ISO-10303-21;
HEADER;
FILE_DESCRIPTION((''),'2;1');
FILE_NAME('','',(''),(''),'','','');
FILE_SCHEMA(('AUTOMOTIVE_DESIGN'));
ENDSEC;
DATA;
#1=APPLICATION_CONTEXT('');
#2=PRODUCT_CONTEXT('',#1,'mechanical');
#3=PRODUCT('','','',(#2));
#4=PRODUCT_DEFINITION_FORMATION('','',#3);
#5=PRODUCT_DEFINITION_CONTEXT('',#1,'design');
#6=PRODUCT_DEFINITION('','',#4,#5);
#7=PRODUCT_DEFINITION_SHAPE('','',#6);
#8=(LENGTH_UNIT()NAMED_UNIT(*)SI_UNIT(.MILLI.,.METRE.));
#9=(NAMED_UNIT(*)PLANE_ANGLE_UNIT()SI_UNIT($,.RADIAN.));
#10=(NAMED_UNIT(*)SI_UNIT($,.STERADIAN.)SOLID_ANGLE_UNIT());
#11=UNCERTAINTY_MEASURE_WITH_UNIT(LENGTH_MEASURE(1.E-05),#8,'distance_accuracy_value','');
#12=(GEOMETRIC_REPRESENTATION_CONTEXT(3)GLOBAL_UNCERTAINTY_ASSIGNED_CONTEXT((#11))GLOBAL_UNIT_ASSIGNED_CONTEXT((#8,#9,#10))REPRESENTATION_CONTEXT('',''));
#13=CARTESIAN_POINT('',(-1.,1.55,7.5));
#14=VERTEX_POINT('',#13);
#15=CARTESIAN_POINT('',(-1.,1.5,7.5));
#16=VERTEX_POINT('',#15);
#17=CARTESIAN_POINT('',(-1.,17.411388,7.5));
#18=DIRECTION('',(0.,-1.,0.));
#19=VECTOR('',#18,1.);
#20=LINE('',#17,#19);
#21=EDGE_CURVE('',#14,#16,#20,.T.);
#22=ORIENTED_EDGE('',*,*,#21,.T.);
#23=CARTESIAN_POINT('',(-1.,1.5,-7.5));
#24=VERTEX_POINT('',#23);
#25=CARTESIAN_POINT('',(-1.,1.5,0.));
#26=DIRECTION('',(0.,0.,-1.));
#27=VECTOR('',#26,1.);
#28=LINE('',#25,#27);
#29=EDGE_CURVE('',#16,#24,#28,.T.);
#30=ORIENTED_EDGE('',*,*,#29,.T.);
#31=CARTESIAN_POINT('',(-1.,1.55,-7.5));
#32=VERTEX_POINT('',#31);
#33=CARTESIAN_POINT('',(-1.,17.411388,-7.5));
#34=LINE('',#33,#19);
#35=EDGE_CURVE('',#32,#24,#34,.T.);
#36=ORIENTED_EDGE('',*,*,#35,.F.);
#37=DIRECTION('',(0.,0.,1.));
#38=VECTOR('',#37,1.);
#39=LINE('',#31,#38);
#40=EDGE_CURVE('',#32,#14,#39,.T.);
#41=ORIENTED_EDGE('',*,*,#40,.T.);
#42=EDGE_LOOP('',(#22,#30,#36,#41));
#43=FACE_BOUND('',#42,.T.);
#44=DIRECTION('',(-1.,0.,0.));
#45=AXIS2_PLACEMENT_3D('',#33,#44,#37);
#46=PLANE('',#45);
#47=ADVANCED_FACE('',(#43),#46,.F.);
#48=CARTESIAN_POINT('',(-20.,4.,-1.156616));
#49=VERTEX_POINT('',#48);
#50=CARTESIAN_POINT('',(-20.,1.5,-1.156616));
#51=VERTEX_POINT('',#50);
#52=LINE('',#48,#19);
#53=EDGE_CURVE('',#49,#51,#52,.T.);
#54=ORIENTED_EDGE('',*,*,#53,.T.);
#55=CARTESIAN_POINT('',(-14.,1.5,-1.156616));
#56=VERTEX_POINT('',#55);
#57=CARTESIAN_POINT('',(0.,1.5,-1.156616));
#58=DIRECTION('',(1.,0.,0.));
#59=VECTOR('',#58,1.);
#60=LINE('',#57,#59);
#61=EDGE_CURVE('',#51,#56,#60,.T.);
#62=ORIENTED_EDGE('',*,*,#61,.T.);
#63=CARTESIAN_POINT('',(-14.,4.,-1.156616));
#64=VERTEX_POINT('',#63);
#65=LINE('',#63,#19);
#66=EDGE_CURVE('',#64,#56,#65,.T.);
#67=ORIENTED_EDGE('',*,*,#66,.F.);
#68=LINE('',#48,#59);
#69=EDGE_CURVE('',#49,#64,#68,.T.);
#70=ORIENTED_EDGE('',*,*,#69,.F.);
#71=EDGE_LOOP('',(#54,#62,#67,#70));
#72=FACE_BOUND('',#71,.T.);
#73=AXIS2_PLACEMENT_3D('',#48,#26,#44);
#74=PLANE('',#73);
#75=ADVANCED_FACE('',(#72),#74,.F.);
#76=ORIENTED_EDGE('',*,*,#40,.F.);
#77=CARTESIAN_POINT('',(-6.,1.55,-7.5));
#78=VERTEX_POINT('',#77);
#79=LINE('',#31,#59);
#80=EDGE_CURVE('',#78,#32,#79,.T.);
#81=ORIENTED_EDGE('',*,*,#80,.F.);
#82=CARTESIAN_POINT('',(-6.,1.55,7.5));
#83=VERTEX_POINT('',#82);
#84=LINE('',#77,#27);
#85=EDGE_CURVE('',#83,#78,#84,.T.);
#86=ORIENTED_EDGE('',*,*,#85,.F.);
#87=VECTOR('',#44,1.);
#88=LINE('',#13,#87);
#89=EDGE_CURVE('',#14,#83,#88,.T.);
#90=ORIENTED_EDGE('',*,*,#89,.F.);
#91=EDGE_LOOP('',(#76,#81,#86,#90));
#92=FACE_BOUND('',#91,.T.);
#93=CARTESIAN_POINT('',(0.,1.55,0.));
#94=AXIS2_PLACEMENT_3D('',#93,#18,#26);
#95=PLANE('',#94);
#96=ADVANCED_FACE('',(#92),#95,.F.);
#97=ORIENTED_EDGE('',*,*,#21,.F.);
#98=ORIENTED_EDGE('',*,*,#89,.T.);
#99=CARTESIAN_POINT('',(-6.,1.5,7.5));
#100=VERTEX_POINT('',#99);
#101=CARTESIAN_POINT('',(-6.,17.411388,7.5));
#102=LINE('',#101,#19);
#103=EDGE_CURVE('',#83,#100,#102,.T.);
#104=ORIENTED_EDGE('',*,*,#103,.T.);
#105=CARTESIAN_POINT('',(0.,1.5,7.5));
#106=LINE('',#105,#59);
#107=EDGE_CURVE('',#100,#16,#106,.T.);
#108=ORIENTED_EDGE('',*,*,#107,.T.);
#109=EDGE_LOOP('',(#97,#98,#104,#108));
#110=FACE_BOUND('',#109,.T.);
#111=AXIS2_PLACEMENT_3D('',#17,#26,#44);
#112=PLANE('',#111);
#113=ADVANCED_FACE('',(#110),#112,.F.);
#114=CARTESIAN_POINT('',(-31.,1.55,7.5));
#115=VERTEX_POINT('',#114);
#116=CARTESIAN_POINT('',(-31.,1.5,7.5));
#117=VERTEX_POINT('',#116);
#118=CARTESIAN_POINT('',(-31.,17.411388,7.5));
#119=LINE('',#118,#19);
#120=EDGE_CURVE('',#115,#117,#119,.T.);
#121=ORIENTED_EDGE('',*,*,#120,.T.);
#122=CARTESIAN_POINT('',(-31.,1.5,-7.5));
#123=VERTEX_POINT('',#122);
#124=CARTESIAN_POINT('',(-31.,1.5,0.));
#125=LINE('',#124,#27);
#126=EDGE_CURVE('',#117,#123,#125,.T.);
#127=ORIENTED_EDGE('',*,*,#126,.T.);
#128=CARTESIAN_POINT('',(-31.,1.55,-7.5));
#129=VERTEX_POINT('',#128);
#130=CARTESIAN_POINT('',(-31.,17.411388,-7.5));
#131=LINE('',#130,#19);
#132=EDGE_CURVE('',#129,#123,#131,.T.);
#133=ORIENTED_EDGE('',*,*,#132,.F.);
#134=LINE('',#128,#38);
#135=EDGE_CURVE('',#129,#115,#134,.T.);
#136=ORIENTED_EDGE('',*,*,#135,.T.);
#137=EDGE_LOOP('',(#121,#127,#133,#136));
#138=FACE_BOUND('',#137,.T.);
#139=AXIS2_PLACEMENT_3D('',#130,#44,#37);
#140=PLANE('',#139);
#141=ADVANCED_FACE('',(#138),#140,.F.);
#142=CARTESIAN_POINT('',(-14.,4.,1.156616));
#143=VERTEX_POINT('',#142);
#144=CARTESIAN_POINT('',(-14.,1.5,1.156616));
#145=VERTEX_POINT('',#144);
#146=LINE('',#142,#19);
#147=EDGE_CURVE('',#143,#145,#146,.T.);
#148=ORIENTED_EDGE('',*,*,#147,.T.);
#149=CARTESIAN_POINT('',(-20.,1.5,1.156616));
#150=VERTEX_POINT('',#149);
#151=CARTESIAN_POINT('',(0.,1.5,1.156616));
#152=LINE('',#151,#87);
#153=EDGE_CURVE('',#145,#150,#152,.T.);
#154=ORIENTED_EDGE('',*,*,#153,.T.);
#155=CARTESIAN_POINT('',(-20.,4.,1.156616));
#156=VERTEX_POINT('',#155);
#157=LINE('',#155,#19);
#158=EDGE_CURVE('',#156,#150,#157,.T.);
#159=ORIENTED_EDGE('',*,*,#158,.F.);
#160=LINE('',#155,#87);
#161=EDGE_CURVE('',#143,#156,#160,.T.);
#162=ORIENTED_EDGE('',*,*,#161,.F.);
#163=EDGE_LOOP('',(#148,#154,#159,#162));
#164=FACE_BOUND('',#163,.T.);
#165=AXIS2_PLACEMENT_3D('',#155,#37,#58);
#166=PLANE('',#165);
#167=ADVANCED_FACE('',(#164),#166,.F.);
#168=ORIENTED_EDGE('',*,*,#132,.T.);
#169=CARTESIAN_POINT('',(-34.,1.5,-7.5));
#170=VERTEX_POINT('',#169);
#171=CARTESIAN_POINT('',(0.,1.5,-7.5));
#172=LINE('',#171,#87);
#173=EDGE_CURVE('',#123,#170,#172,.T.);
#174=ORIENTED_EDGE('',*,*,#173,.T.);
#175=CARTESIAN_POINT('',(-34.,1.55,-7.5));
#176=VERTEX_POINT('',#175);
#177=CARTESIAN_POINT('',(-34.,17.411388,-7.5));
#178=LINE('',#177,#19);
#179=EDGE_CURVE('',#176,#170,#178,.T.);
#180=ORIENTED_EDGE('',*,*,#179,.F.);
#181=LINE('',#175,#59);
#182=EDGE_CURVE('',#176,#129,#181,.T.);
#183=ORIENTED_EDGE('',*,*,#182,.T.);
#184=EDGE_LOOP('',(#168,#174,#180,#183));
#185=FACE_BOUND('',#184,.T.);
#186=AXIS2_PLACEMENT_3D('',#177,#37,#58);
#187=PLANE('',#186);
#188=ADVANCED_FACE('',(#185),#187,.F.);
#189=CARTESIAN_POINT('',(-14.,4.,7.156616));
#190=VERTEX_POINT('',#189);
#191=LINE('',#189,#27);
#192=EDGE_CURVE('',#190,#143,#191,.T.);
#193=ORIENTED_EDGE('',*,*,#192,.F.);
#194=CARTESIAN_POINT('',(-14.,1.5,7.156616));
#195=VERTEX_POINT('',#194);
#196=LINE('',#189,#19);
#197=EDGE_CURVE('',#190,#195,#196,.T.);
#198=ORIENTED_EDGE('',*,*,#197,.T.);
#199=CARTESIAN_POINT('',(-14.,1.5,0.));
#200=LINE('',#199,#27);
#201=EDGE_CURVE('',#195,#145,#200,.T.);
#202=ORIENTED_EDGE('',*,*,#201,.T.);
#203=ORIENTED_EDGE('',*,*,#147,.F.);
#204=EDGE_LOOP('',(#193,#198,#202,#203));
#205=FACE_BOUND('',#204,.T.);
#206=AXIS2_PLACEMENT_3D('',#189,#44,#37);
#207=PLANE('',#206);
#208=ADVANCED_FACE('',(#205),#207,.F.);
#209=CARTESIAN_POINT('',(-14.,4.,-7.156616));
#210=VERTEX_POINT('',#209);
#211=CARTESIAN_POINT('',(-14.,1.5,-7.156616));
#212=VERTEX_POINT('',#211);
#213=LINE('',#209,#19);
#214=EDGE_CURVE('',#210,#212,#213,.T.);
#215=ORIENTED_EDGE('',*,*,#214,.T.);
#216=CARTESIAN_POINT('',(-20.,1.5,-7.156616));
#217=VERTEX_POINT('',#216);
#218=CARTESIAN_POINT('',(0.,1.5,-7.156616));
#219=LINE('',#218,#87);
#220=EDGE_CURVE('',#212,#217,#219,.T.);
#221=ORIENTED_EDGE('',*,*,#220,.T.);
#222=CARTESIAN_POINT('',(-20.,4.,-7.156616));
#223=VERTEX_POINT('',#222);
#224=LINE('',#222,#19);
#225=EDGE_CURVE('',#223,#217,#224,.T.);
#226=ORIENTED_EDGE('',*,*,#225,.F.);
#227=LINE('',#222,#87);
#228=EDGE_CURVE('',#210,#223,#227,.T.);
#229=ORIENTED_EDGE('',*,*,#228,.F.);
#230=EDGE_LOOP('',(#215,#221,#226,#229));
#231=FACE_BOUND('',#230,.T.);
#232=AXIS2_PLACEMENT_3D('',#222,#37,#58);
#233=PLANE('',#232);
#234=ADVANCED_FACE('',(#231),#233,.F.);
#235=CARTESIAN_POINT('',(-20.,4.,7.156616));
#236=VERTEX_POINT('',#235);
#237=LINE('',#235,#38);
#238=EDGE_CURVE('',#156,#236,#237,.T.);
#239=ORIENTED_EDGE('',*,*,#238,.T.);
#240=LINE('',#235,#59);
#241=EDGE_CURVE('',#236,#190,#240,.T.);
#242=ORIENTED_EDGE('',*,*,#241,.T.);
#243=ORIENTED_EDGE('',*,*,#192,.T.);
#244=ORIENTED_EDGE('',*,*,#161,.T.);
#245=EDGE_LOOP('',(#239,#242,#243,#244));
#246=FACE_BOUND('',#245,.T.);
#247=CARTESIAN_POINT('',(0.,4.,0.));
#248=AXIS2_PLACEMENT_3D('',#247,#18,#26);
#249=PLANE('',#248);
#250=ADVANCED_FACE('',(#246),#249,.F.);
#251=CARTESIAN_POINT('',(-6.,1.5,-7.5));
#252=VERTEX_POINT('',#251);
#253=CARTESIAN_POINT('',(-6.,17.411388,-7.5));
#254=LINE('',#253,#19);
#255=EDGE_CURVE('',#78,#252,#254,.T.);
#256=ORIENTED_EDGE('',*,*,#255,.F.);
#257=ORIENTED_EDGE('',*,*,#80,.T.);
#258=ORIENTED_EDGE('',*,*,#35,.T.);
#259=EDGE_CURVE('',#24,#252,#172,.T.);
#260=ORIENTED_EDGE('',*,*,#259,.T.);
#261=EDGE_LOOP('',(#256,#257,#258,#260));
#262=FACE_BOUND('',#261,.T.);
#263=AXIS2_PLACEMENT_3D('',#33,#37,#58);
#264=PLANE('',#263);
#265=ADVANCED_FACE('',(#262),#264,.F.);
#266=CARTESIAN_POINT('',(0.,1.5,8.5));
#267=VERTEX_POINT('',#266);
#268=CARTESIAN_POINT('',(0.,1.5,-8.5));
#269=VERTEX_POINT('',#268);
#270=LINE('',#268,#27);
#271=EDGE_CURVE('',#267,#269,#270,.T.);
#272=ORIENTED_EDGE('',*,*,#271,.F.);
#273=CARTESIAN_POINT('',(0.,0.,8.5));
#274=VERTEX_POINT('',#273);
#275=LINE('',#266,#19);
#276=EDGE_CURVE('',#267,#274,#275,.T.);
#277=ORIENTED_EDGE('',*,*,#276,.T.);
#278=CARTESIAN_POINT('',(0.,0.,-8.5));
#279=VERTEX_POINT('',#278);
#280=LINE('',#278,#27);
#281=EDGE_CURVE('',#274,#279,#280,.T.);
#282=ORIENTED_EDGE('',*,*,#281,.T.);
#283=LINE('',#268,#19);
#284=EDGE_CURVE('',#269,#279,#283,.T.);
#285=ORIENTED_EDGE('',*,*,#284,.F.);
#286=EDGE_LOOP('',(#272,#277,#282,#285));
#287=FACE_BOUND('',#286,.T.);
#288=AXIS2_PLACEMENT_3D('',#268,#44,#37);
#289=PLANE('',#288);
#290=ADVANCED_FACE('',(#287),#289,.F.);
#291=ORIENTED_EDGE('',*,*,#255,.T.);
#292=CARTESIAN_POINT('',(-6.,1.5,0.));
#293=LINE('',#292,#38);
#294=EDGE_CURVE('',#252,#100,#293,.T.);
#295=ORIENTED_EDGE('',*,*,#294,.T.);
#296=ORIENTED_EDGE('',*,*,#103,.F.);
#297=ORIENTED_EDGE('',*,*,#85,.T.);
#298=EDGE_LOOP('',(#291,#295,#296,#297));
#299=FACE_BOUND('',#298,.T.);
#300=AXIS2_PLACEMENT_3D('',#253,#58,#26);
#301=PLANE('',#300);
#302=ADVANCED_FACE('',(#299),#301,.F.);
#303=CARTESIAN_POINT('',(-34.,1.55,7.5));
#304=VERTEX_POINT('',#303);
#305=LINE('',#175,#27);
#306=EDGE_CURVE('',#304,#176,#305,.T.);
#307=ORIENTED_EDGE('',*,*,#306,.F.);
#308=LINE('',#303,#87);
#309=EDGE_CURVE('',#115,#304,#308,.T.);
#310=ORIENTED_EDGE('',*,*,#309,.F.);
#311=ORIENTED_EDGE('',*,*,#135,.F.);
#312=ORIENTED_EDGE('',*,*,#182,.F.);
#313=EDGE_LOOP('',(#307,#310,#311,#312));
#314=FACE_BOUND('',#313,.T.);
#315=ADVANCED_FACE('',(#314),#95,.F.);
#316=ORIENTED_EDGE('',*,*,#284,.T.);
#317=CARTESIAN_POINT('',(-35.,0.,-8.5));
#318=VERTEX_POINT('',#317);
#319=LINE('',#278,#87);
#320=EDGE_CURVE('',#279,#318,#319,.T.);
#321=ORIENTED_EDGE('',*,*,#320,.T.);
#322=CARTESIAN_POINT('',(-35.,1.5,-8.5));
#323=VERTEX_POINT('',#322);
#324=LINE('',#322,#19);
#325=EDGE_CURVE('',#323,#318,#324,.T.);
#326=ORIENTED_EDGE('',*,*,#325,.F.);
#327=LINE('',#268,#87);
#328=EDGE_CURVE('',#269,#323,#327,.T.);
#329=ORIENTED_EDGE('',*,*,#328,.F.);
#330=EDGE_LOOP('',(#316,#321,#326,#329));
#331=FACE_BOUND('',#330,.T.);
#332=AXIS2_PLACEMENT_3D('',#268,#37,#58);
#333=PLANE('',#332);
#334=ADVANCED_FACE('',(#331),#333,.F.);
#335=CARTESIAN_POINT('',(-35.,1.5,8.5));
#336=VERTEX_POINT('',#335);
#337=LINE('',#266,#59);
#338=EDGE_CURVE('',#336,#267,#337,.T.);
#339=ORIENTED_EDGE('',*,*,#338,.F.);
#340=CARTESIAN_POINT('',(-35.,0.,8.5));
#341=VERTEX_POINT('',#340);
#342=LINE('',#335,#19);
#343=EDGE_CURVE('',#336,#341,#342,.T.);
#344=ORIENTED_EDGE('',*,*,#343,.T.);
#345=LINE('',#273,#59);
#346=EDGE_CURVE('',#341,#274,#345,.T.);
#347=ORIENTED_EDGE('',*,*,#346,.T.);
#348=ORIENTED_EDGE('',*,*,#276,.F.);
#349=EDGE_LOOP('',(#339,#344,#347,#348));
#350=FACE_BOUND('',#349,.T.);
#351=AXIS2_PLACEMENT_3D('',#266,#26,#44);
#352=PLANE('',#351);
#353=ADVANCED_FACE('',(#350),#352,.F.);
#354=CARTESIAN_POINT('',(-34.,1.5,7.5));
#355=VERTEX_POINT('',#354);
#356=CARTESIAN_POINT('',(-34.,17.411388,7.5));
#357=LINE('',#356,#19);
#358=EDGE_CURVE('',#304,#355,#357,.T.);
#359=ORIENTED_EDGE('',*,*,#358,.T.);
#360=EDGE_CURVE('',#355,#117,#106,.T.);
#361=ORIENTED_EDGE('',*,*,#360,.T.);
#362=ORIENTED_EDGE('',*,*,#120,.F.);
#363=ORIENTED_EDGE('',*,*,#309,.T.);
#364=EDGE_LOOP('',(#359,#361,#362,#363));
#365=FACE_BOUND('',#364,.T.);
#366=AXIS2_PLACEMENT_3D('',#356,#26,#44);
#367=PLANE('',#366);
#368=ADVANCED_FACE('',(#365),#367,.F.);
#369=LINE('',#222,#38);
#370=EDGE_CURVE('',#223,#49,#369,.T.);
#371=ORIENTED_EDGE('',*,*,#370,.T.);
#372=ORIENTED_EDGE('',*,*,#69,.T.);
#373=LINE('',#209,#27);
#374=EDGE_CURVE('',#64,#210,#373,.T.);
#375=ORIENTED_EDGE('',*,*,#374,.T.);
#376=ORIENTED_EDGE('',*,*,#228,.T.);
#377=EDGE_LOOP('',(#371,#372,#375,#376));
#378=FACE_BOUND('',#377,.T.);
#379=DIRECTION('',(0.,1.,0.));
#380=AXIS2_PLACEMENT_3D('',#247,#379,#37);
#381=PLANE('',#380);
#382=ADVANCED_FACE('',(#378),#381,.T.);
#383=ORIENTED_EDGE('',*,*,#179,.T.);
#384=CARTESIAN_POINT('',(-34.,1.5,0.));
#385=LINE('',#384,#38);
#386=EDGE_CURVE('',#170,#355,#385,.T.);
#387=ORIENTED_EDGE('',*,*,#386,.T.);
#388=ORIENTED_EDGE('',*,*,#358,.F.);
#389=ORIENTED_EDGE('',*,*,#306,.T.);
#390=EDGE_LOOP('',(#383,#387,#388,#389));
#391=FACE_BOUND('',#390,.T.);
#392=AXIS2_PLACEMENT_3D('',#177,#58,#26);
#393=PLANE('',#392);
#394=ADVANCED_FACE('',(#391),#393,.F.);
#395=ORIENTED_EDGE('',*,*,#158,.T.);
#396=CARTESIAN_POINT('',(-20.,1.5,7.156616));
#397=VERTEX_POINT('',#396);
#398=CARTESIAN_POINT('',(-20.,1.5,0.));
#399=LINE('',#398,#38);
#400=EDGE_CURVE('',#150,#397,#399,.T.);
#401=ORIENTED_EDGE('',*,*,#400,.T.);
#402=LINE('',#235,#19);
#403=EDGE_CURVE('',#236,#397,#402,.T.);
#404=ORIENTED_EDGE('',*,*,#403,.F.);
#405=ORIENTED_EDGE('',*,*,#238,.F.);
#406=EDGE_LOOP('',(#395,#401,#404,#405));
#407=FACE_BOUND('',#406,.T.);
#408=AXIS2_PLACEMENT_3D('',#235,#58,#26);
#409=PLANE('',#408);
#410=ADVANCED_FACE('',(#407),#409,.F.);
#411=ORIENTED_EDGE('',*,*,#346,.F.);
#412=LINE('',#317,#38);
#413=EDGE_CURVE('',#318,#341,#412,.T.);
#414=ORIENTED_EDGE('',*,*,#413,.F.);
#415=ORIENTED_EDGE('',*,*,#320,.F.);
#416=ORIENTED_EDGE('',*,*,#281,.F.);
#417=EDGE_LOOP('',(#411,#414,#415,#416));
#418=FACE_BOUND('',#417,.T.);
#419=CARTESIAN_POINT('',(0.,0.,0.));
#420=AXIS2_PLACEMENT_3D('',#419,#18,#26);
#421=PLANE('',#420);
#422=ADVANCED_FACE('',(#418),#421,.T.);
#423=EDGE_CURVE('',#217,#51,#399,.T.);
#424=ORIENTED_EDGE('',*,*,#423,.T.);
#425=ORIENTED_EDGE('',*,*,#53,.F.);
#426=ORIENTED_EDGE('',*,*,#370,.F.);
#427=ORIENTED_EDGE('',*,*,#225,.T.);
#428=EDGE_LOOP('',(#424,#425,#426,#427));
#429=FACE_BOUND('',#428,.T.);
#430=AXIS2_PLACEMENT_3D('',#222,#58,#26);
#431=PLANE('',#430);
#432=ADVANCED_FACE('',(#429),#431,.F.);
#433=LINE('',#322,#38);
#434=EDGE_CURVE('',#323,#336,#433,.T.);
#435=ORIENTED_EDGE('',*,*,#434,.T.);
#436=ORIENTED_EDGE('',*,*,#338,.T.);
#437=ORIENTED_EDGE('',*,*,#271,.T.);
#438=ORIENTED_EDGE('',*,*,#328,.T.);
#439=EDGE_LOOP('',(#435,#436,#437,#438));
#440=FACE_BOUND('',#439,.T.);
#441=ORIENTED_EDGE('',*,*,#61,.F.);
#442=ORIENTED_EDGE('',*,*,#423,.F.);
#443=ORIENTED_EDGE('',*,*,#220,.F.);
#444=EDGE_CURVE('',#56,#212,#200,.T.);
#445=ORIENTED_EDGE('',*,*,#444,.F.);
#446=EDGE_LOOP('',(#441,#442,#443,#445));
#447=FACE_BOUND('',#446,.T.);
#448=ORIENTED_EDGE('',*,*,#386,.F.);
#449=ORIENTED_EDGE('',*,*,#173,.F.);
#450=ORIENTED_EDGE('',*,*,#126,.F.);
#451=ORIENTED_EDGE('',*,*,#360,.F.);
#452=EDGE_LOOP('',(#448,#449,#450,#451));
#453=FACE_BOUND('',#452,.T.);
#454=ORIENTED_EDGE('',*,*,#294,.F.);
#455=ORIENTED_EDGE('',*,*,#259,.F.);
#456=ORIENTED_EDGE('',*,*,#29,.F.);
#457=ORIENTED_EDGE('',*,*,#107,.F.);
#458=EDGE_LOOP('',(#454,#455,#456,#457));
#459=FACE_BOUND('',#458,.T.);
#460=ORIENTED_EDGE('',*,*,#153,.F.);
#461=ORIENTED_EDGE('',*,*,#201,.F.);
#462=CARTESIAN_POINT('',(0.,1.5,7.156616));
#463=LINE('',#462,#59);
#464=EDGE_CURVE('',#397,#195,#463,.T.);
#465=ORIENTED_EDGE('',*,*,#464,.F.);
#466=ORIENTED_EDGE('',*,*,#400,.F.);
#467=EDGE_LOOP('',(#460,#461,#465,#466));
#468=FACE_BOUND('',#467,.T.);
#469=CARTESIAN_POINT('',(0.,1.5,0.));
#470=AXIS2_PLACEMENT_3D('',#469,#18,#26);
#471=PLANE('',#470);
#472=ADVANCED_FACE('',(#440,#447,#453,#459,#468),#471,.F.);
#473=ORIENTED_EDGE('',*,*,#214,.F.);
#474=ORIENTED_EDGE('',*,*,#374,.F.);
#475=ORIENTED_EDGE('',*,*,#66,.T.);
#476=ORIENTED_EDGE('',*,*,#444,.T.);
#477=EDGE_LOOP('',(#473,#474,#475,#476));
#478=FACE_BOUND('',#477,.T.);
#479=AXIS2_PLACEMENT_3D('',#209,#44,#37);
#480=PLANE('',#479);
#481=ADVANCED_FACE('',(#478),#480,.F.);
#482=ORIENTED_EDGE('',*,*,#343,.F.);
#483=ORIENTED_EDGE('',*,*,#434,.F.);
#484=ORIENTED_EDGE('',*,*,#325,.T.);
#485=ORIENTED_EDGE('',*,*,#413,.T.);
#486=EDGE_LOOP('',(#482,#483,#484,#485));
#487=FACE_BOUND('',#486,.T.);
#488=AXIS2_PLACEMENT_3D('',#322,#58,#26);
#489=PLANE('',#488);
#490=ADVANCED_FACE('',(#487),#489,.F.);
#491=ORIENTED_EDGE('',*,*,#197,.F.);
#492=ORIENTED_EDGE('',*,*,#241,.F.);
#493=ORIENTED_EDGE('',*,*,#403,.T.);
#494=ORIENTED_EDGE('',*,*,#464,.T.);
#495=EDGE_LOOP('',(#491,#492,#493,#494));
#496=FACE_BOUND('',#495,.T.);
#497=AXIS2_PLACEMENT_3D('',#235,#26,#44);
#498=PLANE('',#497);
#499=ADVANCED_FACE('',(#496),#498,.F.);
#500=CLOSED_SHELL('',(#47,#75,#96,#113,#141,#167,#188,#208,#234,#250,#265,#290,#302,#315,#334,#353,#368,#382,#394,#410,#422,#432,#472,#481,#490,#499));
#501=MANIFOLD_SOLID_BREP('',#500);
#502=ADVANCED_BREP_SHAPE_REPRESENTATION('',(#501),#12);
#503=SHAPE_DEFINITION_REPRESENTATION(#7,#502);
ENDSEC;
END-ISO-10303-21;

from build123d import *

# Parameters (mm, degrees)
SKETCH_1_W      = 35
SKETCH_1_H      = 17
EXTRUDE_1_DEPTH = 1.5
SKETCH_4_W      = 6
SKETCH_4_H      = 6
EXTRUDE_3_DEPTH = 4
SKETCH_6_W      = 5
SKETCH_6_H      = 15
SKETCH_6_W_2    = 3
EXTRUDE_4_DEPTH = 1.55


with BuildPart() as part:
    # Эскиз1 → Бобышка-Вытянуть1 (new body)
    with BuildSketch(Plane(origin=(0, 0, 0), x_dir=(1, 0, 0), z_dir=(0, 1, 0))):
        with Locations((-17.5, 0)):
            Rectangle(SKETCH_1_W, SKETCH_1_H)
    extrude(amount=EXTRUDE_1_DEPTH)

    # Эскиз4 → Бобышка-Вытянуть3 (add)
    with BuildSketch(Plane(origin=(0, 0, 0), x_dir=(1, 0, 0), z_dir=(0, 1, 0))):
        with Locations((-17, 4.156615609)):
            Rectangle(SKETCH_4_W, SKETCH_4_H)
        with Locations((-17, -4.156615609)):
            Rectangle(SKETCH_4_W, SKETCH_4_H)
    extrude(amount=EXTRUDE_3_DEPTH)

    # Эскиз6 → Бобышка-Вытянуть4 (add)
    with BuildSketch(Plane(origin=(0, 0, 0), x_dir=(1, 0, 0), z_dir=(0, 1, 0))):
        with Locations((-3.5, 0)):
            Rectangle(SKETCH_6_W, SKETCH_6_H)
        with Locations((-32.5, 0)):
            Rectangle(SKETCH_6_W_2, SKETCH_6_H)
    extrude(amount=EXTRUDE_4_DEPTH)


solid = part.part
